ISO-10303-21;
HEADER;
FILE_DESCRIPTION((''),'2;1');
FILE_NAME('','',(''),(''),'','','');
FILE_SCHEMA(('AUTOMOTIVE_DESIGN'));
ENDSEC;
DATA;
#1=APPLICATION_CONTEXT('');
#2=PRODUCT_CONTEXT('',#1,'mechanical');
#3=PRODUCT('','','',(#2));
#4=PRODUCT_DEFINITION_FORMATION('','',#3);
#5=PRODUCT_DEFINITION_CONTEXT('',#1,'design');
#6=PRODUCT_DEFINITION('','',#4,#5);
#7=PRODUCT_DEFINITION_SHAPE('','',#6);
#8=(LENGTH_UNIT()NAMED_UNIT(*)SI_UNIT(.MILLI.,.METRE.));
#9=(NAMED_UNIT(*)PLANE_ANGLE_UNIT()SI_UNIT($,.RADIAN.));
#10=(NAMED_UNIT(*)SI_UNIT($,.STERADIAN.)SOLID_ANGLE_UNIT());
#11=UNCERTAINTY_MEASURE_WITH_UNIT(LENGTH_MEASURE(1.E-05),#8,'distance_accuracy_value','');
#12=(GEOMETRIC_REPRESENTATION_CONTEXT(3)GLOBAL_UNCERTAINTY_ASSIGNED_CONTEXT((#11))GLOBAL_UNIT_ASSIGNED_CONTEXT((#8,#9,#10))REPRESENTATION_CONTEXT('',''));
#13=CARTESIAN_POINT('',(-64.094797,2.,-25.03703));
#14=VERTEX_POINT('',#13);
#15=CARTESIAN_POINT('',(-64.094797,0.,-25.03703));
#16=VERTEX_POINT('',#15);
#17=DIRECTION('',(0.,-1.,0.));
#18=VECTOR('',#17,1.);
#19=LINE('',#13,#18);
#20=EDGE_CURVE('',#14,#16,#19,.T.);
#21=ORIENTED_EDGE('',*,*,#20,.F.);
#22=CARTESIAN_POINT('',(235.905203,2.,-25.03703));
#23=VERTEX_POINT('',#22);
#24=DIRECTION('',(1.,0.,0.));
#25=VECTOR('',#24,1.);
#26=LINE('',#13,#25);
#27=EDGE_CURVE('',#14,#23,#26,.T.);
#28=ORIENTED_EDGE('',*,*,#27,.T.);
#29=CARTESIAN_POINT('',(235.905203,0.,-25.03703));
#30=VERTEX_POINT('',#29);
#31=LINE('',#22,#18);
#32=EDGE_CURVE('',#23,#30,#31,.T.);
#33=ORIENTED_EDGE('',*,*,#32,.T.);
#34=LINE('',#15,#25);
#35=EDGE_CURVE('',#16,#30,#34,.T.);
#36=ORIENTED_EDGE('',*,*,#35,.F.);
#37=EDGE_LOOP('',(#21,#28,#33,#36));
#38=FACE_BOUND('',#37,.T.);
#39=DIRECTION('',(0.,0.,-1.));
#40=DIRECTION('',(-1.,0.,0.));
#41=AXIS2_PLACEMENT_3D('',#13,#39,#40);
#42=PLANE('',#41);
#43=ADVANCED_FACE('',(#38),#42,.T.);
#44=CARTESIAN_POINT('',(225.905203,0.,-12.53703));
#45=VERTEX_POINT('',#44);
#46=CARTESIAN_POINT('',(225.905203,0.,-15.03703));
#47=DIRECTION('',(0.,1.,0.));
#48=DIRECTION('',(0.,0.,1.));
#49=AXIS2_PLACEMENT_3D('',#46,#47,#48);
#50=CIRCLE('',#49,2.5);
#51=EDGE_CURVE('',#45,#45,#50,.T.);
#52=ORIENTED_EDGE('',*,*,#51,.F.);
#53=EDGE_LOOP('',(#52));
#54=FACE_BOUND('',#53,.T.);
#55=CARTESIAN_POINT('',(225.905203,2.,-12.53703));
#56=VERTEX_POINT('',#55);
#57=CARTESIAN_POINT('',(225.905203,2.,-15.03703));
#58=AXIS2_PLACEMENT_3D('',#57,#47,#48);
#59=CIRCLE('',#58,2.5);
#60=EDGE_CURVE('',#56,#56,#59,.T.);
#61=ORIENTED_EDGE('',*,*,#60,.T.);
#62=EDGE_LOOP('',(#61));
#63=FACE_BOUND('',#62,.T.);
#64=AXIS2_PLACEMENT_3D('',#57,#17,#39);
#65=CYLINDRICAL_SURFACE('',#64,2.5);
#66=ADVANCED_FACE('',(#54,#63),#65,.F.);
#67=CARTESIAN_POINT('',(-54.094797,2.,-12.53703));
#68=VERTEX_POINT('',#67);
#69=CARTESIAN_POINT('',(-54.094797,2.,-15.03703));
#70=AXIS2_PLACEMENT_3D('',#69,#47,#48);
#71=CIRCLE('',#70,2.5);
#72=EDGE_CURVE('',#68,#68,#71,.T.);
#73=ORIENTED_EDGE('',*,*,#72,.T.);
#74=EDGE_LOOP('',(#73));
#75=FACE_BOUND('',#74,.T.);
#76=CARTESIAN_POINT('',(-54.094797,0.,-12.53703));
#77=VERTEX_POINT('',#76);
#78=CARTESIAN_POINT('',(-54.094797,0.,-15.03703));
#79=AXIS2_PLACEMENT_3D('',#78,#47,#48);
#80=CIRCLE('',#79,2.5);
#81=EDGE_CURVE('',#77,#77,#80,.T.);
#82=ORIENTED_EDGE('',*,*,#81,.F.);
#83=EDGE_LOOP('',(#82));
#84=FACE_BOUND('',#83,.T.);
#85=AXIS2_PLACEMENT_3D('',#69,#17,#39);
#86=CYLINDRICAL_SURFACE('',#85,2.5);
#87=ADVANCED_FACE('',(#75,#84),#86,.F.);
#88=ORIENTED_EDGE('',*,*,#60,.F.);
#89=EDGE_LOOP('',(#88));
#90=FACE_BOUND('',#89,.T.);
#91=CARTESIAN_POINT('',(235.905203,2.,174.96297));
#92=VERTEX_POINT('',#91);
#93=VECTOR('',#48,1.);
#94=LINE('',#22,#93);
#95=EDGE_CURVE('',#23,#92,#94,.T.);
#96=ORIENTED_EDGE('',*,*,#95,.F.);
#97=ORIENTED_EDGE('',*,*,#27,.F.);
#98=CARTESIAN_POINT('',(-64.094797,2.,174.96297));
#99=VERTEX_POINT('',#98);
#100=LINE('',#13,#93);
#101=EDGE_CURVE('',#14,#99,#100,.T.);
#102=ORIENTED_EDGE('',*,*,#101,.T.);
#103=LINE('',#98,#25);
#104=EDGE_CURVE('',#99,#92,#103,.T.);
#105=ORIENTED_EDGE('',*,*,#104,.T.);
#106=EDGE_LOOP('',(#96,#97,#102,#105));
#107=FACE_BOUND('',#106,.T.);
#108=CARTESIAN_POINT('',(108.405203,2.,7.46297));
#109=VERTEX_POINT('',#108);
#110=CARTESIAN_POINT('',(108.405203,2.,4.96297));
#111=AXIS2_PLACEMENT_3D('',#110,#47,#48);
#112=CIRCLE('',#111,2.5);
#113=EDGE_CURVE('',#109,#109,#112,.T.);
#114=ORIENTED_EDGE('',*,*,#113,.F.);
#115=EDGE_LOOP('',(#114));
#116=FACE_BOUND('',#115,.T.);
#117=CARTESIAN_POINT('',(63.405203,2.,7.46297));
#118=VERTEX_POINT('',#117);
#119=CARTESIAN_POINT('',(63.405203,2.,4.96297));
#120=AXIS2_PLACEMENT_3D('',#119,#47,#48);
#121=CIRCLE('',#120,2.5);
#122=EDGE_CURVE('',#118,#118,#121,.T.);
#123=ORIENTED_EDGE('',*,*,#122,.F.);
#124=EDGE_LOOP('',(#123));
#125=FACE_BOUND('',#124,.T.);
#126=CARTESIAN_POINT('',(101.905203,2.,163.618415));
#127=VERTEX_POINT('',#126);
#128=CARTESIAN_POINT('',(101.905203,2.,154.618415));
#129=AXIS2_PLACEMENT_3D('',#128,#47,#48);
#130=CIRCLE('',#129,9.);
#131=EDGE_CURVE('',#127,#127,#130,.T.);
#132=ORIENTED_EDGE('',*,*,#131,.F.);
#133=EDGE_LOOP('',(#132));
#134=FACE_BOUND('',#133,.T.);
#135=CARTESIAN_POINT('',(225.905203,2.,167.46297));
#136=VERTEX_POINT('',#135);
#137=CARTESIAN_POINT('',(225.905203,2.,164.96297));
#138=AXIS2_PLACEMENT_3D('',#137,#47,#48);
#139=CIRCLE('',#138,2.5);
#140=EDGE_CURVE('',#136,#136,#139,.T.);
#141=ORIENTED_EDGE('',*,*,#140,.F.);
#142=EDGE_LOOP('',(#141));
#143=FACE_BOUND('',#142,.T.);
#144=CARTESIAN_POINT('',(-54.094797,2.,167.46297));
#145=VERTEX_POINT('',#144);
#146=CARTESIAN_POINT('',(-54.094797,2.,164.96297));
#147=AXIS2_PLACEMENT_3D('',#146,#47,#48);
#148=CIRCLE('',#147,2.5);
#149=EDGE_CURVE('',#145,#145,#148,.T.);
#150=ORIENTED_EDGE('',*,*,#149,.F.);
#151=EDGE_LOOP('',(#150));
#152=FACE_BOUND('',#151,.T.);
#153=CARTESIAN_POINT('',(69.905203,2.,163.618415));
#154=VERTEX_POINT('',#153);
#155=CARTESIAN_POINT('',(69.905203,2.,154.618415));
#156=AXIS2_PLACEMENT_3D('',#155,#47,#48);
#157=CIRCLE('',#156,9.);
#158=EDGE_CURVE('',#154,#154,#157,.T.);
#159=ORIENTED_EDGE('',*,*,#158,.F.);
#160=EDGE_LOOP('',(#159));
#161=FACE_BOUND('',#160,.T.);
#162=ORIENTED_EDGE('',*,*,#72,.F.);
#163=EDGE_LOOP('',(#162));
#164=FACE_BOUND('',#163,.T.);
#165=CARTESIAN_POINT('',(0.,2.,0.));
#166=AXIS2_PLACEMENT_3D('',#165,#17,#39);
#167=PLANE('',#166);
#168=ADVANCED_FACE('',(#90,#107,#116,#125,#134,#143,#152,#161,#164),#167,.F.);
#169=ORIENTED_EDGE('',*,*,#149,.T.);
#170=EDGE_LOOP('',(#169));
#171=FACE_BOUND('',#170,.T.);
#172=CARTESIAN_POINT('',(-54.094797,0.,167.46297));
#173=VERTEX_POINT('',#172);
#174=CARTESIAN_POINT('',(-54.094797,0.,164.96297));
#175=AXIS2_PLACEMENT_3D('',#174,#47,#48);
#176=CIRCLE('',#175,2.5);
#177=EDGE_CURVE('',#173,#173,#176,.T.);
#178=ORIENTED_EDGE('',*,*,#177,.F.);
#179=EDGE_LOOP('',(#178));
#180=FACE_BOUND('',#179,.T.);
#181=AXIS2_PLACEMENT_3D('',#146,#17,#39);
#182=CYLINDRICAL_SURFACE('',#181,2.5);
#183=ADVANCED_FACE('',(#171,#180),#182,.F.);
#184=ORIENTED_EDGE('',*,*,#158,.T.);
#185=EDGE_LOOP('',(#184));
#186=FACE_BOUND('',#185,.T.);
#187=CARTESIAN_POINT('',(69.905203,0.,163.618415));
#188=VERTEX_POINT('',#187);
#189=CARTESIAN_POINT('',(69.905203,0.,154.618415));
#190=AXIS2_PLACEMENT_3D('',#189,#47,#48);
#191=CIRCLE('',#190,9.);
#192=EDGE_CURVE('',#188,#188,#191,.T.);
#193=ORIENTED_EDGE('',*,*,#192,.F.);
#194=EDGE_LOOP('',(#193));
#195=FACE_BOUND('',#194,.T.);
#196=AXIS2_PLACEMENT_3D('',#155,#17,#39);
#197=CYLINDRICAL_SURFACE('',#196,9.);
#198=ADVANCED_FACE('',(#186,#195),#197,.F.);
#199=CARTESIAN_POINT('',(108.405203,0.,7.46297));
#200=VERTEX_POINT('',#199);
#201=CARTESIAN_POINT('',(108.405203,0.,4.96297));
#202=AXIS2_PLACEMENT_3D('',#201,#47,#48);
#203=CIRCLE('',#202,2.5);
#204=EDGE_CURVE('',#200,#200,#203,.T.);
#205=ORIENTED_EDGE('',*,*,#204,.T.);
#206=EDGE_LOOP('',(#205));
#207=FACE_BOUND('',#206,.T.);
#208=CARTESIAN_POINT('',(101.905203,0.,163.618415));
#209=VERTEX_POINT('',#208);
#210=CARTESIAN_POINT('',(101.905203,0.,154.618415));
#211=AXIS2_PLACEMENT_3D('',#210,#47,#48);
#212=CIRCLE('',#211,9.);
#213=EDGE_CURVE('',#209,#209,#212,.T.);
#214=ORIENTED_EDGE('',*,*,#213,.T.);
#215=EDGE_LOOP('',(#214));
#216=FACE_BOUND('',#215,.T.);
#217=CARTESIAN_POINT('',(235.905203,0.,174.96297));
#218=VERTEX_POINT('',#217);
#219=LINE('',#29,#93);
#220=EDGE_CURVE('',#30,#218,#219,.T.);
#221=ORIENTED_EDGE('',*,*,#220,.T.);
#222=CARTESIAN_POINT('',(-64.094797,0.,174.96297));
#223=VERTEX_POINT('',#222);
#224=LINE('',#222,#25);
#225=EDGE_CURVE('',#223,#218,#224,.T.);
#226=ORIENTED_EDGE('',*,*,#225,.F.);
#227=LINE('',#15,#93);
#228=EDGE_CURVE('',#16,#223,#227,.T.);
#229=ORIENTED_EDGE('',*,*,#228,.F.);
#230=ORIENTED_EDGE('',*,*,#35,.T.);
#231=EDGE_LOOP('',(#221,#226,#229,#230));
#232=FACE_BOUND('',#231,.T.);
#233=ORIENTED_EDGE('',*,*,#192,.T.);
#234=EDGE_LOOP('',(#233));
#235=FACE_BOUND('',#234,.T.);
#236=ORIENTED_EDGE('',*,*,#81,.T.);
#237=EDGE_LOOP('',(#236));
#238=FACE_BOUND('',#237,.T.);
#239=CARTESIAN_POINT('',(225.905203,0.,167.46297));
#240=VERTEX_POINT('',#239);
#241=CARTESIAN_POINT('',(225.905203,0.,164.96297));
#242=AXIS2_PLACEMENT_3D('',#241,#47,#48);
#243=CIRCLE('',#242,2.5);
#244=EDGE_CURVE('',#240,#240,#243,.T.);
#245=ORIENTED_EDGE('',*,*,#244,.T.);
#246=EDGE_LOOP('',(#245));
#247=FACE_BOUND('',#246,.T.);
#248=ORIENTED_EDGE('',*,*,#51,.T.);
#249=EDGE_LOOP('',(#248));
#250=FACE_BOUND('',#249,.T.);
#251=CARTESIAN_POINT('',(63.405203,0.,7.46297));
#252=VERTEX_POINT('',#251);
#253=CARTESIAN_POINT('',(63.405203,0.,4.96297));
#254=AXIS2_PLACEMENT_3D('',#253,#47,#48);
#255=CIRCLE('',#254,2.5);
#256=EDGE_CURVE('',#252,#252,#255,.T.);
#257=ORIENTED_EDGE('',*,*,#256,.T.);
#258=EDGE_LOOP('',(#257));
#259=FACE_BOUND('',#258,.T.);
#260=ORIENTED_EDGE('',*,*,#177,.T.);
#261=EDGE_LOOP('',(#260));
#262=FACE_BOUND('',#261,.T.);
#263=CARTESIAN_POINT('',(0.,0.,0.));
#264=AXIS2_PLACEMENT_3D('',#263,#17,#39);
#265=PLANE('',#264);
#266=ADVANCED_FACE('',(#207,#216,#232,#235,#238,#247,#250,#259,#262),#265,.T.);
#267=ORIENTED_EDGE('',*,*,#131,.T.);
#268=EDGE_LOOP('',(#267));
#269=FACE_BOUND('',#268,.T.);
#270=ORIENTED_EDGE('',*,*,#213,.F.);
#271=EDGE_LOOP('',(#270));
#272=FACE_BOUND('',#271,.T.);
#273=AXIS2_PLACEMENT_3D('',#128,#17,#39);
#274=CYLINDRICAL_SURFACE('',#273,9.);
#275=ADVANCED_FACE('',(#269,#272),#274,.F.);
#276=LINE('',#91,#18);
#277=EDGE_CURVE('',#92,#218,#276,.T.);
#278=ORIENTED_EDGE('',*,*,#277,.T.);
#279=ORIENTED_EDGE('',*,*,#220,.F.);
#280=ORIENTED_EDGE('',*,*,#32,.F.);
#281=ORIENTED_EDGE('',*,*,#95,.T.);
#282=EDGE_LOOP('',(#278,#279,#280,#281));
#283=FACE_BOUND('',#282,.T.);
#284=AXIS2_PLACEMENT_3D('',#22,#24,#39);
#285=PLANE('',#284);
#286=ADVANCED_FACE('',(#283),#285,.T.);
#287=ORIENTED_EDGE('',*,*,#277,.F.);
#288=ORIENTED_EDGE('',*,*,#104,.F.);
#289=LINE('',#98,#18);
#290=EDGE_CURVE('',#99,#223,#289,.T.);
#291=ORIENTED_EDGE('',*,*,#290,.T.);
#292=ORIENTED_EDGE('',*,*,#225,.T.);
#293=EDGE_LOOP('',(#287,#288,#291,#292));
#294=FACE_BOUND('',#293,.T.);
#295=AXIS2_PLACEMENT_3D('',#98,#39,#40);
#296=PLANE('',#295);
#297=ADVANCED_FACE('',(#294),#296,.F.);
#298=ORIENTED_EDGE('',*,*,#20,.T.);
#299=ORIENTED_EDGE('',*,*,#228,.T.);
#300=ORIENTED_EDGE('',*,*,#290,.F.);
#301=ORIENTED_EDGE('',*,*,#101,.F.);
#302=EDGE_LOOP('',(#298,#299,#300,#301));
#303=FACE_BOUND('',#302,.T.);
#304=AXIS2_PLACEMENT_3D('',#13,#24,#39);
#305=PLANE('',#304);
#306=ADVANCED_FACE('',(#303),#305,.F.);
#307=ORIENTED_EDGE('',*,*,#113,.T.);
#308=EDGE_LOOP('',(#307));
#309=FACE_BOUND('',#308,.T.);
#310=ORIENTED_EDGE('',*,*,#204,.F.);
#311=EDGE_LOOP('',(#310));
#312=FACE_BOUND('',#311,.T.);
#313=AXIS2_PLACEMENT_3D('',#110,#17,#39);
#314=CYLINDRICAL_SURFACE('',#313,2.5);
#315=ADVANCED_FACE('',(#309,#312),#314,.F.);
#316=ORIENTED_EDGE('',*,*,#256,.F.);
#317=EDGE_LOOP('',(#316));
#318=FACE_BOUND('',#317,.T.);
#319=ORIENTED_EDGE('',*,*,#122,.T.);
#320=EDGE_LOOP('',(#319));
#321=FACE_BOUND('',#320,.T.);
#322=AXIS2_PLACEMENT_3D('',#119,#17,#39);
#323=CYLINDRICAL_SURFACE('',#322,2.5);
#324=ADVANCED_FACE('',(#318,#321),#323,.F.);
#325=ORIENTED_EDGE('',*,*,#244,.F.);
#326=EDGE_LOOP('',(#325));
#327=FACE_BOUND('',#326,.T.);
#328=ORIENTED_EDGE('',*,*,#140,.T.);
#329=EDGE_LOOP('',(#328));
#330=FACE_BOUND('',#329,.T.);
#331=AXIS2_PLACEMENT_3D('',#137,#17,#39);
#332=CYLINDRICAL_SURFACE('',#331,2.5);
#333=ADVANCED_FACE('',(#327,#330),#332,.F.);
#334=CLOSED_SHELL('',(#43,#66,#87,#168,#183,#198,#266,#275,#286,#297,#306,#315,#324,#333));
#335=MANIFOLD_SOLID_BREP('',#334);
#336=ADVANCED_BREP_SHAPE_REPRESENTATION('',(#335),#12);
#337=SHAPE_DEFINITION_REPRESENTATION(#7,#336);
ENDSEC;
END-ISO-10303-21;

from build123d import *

# Parameters (mm, degrees)
ESBO_O1_W                = 300
ESBO_O1_H                = 200
ESBO_O1_R                = 2.5
ESBO_O1_R_2              = 9
RESSALTO_EXTRUS_O2_DEPTH = 2


with BuildPart() as part:
    # Esboço1 → Ressalto-extrusão2 (new body)
    with BuildSketch(Plane(origin=(0, 0, 0), x_dir=(1, 0, 0), z_dir=(0, 1, 0))):
        with Locations((85.905203177, -74.962969991)):
            Rectangle(ESBO_O1_W, ESBO_O1_H)
        with Locations(Location((-54.094796823, 15.037030009, 0), (0, 0, 270))):
            Circle(ESBO_O1_R, mode=Mode.SUBTRACT)
        with Locations(Location((225.905203177, 15.037030009, 0), (0, 0, 270))):
            Circle(ESBO_O1_R, mode=Mode.SUBTRACT)
        with Locations(Location((225.905203177, -164.962969991, 0), (0, 0, 270))):
            Circle(ESBO_O1_R, mode=Mode.SUBTRACT)
        with Locations(Location((-54.094796823, -164.962969991, 0), (0, 0, 270))):
            Circle(ESBO_O1_R, mode=Mode.SUBTRACT)
        with Locations(Location((63.405203177, -4.962969991, 0), (0, 0, 270))):
            Circle(ESBO_O1_R, mode=Mode.SUBTRACT)
        with Locations(Location((108.405203177, -4.962969991, 0), (0, 0, 270))):
            Circle(ESBO_O1_R, mode=Mode.SUBTRACT)
        with Locations(Location((101.905203177, -154.618414768, 0), (0, 0, 270))):
            Circle(ESBO_O1_R_2, mode=Mode.SUBTRACT)
        with Locations(Location((69.905203177, -154.618414768, 0), (0, 0, 270))):
            Circle(ESBO_O1_R_2, mode=Mode.SUBTRACT)
    extrude(amount=RESSALTO_EXTRUS_O2_DEPTH)


solid = part.part
